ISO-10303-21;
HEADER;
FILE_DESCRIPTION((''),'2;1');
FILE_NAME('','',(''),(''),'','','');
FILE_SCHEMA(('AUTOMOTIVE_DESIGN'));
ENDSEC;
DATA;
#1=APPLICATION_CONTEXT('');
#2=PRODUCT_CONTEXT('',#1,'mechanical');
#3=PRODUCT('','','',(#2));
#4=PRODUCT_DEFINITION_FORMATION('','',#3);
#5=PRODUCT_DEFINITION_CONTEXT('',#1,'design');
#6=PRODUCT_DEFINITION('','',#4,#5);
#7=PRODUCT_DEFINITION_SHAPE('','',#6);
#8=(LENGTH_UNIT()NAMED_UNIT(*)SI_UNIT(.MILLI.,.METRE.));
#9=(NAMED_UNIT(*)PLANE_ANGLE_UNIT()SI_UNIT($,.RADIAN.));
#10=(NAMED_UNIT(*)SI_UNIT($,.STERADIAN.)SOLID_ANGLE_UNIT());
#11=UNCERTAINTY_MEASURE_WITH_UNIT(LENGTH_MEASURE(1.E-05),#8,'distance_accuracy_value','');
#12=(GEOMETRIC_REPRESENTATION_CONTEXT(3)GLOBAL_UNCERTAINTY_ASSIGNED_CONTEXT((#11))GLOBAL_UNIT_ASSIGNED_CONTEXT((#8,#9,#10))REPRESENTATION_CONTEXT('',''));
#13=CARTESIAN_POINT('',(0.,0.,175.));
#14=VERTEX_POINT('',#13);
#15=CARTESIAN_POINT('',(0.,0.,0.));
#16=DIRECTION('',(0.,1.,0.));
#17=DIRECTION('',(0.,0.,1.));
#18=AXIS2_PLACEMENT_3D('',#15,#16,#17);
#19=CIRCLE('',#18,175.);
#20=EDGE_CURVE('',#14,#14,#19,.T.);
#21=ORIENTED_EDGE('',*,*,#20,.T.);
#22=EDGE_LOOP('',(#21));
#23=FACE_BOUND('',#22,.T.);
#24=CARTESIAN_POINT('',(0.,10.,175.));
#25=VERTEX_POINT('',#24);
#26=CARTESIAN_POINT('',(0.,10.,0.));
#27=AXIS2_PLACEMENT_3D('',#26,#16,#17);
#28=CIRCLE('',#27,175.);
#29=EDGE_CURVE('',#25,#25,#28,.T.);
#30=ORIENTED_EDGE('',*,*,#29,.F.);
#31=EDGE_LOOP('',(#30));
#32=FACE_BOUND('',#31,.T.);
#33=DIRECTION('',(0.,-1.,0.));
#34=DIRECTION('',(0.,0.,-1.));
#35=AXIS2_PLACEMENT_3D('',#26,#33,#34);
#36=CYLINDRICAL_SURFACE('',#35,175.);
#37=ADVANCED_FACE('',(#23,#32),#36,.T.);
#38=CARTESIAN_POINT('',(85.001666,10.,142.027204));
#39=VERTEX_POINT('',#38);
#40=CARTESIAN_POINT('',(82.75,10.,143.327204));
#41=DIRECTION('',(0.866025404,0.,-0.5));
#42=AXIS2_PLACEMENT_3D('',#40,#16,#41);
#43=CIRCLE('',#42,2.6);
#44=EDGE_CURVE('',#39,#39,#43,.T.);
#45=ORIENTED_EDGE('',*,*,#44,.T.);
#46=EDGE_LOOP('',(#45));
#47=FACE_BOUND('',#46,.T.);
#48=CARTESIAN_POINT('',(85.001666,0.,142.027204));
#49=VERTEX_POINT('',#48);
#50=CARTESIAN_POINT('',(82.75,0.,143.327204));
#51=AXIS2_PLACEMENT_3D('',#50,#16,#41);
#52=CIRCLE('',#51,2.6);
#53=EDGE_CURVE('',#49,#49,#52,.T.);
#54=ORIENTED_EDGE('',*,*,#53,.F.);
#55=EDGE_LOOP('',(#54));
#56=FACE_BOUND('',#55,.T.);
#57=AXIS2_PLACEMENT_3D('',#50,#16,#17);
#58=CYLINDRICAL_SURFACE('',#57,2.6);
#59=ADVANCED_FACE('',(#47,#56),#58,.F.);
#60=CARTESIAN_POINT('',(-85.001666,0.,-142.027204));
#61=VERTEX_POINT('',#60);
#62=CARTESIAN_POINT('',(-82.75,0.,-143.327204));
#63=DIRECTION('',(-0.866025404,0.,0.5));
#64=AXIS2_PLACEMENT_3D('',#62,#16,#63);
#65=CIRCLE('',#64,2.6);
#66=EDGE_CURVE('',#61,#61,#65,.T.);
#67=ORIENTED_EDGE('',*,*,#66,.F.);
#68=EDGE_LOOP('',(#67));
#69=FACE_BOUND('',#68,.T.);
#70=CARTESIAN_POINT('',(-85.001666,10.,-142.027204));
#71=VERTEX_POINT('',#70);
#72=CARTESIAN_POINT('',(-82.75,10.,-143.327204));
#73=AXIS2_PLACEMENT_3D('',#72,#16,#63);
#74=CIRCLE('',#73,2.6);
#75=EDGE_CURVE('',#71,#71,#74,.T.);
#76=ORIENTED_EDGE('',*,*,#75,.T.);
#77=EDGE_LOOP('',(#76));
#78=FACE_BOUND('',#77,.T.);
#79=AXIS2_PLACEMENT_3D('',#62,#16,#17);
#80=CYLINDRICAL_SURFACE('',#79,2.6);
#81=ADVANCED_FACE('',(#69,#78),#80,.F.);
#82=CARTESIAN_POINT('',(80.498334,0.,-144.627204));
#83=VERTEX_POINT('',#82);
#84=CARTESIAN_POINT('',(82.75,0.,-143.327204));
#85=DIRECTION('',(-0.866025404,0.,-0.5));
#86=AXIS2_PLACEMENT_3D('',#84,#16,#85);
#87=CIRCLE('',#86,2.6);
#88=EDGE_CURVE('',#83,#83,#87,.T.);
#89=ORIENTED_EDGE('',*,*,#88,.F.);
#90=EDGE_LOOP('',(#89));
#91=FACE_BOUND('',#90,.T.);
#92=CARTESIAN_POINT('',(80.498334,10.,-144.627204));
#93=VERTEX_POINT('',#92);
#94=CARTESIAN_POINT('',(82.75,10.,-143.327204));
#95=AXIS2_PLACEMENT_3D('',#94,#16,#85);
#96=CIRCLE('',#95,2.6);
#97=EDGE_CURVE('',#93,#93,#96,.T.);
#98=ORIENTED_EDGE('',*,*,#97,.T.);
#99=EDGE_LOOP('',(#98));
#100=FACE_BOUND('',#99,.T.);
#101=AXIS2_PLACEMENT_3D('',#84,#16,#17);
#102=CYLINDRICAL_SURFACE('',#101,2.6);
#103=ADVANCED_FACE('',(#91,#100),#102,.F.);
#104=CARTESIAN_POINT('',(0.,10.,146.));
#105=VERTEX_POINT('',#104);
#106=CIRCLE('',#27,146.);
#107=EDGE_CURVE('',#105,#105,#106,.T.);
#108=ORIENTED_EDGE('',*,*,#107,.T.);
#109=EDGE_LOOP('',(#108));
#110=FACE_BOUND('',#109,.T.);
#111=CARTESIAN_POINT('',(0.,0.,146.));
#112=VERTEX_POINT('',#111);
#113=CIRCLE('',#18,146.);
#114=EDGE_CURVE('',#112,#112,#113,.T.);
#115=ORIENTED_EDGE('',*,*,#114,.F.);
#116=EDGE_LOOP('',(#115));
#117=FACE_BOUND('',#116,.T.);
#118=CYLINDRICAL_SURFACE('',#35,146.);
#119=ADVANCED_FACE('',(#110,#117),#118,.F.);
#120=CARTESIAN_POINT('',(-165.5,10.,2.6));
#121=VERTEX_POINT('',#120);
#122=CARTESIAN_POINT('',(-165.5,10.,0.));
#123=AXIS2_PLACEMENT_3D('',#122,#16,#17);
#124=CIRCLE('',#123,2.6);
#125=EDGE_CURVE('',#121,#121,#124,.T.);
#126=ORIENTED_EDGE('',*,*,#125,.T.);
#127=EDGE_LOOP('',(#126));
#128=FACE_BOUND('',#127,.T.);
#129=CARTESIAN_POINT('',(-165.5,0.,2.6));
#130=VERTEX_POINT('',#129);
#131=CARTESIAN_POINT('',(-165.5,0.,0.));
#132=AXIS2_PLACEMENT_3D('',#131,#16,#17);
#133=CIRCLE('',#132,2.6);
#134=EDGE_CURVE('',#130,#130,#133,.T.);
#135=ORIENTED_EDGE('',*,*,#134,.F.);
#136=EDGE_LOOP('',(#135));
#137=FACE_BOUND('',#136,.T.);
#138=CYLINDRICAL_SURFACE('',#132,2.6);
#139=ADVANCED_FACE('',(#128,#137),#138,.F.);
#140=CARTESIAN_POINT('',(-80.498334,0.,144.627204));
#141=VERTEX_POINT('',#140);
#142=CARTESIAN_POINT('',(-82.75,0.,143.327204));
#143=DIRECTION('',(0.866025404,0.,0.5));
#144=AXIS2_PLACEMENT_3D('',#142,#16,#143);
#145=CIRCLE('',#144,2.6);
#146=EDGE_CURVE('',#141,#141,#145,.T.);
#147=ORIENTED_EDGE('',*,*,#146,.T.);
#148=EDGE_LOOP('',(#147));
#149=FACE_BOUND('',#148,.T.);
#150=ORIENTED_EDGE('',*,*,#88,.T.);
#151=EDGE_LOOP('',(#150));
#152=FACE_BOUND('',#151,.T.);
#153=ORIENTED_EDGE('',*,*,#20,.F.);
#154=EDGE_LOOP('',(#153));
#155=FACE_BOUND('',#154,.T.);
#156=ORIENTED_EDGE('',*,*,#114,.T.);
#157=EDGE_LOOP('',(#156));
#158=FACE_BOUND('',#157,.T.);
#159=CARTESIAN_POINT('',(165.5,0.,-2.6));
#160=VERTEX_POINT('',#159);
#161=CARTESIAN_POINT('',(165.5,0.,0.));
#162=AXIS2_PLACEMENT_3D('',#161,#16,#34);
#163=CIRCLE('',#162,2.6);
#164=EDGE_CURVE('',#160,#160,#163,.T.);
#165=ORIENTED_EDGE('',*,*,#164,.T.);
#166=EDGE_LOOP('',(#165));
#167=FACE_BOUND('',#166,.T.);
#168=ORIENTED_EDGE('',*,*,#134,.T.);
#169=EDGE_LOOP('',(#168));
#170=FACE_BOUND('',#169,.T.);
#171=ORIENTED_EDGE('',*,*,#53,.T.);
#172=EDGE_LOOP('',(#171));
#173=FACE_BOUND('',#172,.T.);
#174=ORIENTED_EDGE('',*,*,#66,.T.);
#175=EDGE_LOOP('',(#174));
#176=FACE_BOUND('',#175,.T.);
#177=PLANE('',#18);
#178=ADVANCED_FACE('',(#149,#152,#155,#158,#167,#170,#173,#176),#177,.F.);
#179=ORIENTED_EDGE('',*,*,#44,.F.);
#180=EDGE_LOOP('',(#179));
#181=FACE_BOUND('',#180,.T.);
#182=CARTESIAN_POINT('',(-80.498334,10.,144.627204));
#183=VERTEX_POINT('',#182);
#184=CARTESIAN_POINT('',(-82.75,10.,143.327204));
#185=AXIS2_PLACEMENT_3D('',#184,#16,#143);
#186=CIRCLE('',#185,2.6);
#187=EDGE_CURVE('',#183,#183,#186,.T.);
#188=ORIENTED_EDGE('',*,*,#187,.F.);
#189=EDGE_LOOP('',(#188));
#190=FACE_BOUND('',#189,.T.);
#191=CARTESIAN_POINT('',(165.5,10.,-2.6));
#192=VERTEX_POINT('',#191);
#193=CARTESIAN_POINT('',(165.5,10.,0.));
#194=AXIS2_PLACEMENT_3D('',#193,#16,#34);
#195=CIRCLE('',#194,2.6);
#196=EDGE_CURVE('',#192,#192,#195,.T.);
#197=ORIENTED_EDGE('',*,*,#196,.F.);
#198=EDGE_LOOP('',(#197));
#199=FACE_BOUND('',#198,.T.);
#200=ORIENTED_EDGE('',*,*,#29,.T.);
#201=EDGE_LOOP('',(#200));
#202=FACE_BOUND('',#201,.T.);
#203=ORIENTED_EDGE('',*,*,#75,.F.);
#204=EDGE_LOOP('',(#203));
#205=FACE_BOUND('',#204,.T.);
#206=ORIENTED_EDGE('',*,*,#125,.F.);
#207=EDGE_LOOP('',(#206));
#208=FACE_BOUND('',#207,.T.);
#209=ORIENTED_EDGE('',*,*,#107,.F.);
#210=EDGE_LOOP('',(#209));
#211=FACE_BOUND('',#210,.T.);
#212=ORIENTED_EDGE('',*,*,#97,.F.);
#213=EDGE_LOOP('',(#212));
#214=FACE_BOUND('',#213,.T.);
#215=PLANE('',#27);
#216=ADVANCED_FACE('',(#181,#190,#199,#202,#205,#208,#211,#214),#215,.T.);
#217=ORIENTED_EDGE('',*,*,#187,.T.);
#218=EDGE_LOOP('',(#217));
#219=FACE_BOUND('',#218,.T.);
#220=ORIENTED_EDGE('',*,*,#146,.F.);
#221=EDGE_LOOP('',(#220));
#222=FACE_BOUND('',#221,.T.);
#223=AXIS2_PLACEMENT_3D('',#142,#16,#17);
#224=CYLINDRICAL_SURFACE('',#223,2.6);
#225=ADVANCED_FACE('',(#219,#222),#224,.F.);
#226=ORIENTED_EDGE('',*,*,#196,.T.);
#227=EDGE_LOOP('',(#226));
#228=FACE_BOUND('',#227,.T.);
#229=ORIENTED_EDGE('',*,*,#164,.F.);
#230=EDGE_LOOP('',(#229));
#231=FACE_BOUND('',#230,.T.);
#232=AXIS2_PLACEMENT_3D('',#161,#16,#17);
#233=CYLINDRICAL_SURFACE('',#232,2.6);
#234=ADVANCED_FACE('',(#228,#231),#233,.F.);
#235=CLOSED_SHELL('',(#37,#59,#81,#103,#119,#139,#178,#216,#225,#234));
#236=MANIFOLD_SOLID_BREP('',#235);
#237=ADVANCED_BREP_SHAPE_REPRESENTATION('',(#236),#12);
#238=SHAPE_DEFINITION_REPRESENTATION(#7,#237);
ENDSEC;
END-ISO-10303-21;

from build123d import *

# Parameters (mm, degrees)
SKETCH_1_R               = 175
SKETCH_1_R_2             = 146
EXTRUDE_1_DEPTH          = 10
SKETCH_2_R               = 2.6
CUT_EXTRUDE_1_DEPTH      = 248.68932153
PATTERN_CIRCULAR_1_COUNT = 6


with BuildPart() as part:
    # Эскиз1 → Бобышка-Вытянуть1 (new body)
    with BuildSketch(Plane(origin=(0, 0, 0), x_dir=(1, 0, 0), z_dir=(0, 1, 0))):
        with Locations(Location((0, 0, 0), (0, 0, 270))):
            Circle(SKETCH_1_R)
        with Locations(Location((0, 0, 0), (0, 0, 270))):
            Circle(SKETCH_1_R_2, mode=Mode.SUBTRACT)
    extrude(amount=EXTRUDE_1_DEPTH)

    # Эскиз2 → Вырез-Вытянуть1 (cut, through all)
    with BuildSketch(Plane(origin=(0, 10, 0), x_dir=(1, 0, 0), z_dir=(0, 1, 0))):
        with Locations(Location((-165.5, 0, 0), (0, 0, 270))):
            Circle(SKETCH_2_R)
    cut_extrude_1 = extrude(amount=-CUT_EXTRUDE_1_DEPTH, mode=Mode.SUBTRACT)

    # Круговой массив1: Вырез-Вытянуть1 ×6 about axis
    pattern_circular_1_axis = Axis((0, 0, 0), (0, 1, 0))
    for i in range(1, PATTERN_CIRCULAR_1_COUNT):
        add(cut_extrude_1.rotate(pattern_circular_1_axis, i * 360 / PATTERN_CIRCULAR_1_COUNT), mode=Mode.SUBTRACT)


solid = part.part
